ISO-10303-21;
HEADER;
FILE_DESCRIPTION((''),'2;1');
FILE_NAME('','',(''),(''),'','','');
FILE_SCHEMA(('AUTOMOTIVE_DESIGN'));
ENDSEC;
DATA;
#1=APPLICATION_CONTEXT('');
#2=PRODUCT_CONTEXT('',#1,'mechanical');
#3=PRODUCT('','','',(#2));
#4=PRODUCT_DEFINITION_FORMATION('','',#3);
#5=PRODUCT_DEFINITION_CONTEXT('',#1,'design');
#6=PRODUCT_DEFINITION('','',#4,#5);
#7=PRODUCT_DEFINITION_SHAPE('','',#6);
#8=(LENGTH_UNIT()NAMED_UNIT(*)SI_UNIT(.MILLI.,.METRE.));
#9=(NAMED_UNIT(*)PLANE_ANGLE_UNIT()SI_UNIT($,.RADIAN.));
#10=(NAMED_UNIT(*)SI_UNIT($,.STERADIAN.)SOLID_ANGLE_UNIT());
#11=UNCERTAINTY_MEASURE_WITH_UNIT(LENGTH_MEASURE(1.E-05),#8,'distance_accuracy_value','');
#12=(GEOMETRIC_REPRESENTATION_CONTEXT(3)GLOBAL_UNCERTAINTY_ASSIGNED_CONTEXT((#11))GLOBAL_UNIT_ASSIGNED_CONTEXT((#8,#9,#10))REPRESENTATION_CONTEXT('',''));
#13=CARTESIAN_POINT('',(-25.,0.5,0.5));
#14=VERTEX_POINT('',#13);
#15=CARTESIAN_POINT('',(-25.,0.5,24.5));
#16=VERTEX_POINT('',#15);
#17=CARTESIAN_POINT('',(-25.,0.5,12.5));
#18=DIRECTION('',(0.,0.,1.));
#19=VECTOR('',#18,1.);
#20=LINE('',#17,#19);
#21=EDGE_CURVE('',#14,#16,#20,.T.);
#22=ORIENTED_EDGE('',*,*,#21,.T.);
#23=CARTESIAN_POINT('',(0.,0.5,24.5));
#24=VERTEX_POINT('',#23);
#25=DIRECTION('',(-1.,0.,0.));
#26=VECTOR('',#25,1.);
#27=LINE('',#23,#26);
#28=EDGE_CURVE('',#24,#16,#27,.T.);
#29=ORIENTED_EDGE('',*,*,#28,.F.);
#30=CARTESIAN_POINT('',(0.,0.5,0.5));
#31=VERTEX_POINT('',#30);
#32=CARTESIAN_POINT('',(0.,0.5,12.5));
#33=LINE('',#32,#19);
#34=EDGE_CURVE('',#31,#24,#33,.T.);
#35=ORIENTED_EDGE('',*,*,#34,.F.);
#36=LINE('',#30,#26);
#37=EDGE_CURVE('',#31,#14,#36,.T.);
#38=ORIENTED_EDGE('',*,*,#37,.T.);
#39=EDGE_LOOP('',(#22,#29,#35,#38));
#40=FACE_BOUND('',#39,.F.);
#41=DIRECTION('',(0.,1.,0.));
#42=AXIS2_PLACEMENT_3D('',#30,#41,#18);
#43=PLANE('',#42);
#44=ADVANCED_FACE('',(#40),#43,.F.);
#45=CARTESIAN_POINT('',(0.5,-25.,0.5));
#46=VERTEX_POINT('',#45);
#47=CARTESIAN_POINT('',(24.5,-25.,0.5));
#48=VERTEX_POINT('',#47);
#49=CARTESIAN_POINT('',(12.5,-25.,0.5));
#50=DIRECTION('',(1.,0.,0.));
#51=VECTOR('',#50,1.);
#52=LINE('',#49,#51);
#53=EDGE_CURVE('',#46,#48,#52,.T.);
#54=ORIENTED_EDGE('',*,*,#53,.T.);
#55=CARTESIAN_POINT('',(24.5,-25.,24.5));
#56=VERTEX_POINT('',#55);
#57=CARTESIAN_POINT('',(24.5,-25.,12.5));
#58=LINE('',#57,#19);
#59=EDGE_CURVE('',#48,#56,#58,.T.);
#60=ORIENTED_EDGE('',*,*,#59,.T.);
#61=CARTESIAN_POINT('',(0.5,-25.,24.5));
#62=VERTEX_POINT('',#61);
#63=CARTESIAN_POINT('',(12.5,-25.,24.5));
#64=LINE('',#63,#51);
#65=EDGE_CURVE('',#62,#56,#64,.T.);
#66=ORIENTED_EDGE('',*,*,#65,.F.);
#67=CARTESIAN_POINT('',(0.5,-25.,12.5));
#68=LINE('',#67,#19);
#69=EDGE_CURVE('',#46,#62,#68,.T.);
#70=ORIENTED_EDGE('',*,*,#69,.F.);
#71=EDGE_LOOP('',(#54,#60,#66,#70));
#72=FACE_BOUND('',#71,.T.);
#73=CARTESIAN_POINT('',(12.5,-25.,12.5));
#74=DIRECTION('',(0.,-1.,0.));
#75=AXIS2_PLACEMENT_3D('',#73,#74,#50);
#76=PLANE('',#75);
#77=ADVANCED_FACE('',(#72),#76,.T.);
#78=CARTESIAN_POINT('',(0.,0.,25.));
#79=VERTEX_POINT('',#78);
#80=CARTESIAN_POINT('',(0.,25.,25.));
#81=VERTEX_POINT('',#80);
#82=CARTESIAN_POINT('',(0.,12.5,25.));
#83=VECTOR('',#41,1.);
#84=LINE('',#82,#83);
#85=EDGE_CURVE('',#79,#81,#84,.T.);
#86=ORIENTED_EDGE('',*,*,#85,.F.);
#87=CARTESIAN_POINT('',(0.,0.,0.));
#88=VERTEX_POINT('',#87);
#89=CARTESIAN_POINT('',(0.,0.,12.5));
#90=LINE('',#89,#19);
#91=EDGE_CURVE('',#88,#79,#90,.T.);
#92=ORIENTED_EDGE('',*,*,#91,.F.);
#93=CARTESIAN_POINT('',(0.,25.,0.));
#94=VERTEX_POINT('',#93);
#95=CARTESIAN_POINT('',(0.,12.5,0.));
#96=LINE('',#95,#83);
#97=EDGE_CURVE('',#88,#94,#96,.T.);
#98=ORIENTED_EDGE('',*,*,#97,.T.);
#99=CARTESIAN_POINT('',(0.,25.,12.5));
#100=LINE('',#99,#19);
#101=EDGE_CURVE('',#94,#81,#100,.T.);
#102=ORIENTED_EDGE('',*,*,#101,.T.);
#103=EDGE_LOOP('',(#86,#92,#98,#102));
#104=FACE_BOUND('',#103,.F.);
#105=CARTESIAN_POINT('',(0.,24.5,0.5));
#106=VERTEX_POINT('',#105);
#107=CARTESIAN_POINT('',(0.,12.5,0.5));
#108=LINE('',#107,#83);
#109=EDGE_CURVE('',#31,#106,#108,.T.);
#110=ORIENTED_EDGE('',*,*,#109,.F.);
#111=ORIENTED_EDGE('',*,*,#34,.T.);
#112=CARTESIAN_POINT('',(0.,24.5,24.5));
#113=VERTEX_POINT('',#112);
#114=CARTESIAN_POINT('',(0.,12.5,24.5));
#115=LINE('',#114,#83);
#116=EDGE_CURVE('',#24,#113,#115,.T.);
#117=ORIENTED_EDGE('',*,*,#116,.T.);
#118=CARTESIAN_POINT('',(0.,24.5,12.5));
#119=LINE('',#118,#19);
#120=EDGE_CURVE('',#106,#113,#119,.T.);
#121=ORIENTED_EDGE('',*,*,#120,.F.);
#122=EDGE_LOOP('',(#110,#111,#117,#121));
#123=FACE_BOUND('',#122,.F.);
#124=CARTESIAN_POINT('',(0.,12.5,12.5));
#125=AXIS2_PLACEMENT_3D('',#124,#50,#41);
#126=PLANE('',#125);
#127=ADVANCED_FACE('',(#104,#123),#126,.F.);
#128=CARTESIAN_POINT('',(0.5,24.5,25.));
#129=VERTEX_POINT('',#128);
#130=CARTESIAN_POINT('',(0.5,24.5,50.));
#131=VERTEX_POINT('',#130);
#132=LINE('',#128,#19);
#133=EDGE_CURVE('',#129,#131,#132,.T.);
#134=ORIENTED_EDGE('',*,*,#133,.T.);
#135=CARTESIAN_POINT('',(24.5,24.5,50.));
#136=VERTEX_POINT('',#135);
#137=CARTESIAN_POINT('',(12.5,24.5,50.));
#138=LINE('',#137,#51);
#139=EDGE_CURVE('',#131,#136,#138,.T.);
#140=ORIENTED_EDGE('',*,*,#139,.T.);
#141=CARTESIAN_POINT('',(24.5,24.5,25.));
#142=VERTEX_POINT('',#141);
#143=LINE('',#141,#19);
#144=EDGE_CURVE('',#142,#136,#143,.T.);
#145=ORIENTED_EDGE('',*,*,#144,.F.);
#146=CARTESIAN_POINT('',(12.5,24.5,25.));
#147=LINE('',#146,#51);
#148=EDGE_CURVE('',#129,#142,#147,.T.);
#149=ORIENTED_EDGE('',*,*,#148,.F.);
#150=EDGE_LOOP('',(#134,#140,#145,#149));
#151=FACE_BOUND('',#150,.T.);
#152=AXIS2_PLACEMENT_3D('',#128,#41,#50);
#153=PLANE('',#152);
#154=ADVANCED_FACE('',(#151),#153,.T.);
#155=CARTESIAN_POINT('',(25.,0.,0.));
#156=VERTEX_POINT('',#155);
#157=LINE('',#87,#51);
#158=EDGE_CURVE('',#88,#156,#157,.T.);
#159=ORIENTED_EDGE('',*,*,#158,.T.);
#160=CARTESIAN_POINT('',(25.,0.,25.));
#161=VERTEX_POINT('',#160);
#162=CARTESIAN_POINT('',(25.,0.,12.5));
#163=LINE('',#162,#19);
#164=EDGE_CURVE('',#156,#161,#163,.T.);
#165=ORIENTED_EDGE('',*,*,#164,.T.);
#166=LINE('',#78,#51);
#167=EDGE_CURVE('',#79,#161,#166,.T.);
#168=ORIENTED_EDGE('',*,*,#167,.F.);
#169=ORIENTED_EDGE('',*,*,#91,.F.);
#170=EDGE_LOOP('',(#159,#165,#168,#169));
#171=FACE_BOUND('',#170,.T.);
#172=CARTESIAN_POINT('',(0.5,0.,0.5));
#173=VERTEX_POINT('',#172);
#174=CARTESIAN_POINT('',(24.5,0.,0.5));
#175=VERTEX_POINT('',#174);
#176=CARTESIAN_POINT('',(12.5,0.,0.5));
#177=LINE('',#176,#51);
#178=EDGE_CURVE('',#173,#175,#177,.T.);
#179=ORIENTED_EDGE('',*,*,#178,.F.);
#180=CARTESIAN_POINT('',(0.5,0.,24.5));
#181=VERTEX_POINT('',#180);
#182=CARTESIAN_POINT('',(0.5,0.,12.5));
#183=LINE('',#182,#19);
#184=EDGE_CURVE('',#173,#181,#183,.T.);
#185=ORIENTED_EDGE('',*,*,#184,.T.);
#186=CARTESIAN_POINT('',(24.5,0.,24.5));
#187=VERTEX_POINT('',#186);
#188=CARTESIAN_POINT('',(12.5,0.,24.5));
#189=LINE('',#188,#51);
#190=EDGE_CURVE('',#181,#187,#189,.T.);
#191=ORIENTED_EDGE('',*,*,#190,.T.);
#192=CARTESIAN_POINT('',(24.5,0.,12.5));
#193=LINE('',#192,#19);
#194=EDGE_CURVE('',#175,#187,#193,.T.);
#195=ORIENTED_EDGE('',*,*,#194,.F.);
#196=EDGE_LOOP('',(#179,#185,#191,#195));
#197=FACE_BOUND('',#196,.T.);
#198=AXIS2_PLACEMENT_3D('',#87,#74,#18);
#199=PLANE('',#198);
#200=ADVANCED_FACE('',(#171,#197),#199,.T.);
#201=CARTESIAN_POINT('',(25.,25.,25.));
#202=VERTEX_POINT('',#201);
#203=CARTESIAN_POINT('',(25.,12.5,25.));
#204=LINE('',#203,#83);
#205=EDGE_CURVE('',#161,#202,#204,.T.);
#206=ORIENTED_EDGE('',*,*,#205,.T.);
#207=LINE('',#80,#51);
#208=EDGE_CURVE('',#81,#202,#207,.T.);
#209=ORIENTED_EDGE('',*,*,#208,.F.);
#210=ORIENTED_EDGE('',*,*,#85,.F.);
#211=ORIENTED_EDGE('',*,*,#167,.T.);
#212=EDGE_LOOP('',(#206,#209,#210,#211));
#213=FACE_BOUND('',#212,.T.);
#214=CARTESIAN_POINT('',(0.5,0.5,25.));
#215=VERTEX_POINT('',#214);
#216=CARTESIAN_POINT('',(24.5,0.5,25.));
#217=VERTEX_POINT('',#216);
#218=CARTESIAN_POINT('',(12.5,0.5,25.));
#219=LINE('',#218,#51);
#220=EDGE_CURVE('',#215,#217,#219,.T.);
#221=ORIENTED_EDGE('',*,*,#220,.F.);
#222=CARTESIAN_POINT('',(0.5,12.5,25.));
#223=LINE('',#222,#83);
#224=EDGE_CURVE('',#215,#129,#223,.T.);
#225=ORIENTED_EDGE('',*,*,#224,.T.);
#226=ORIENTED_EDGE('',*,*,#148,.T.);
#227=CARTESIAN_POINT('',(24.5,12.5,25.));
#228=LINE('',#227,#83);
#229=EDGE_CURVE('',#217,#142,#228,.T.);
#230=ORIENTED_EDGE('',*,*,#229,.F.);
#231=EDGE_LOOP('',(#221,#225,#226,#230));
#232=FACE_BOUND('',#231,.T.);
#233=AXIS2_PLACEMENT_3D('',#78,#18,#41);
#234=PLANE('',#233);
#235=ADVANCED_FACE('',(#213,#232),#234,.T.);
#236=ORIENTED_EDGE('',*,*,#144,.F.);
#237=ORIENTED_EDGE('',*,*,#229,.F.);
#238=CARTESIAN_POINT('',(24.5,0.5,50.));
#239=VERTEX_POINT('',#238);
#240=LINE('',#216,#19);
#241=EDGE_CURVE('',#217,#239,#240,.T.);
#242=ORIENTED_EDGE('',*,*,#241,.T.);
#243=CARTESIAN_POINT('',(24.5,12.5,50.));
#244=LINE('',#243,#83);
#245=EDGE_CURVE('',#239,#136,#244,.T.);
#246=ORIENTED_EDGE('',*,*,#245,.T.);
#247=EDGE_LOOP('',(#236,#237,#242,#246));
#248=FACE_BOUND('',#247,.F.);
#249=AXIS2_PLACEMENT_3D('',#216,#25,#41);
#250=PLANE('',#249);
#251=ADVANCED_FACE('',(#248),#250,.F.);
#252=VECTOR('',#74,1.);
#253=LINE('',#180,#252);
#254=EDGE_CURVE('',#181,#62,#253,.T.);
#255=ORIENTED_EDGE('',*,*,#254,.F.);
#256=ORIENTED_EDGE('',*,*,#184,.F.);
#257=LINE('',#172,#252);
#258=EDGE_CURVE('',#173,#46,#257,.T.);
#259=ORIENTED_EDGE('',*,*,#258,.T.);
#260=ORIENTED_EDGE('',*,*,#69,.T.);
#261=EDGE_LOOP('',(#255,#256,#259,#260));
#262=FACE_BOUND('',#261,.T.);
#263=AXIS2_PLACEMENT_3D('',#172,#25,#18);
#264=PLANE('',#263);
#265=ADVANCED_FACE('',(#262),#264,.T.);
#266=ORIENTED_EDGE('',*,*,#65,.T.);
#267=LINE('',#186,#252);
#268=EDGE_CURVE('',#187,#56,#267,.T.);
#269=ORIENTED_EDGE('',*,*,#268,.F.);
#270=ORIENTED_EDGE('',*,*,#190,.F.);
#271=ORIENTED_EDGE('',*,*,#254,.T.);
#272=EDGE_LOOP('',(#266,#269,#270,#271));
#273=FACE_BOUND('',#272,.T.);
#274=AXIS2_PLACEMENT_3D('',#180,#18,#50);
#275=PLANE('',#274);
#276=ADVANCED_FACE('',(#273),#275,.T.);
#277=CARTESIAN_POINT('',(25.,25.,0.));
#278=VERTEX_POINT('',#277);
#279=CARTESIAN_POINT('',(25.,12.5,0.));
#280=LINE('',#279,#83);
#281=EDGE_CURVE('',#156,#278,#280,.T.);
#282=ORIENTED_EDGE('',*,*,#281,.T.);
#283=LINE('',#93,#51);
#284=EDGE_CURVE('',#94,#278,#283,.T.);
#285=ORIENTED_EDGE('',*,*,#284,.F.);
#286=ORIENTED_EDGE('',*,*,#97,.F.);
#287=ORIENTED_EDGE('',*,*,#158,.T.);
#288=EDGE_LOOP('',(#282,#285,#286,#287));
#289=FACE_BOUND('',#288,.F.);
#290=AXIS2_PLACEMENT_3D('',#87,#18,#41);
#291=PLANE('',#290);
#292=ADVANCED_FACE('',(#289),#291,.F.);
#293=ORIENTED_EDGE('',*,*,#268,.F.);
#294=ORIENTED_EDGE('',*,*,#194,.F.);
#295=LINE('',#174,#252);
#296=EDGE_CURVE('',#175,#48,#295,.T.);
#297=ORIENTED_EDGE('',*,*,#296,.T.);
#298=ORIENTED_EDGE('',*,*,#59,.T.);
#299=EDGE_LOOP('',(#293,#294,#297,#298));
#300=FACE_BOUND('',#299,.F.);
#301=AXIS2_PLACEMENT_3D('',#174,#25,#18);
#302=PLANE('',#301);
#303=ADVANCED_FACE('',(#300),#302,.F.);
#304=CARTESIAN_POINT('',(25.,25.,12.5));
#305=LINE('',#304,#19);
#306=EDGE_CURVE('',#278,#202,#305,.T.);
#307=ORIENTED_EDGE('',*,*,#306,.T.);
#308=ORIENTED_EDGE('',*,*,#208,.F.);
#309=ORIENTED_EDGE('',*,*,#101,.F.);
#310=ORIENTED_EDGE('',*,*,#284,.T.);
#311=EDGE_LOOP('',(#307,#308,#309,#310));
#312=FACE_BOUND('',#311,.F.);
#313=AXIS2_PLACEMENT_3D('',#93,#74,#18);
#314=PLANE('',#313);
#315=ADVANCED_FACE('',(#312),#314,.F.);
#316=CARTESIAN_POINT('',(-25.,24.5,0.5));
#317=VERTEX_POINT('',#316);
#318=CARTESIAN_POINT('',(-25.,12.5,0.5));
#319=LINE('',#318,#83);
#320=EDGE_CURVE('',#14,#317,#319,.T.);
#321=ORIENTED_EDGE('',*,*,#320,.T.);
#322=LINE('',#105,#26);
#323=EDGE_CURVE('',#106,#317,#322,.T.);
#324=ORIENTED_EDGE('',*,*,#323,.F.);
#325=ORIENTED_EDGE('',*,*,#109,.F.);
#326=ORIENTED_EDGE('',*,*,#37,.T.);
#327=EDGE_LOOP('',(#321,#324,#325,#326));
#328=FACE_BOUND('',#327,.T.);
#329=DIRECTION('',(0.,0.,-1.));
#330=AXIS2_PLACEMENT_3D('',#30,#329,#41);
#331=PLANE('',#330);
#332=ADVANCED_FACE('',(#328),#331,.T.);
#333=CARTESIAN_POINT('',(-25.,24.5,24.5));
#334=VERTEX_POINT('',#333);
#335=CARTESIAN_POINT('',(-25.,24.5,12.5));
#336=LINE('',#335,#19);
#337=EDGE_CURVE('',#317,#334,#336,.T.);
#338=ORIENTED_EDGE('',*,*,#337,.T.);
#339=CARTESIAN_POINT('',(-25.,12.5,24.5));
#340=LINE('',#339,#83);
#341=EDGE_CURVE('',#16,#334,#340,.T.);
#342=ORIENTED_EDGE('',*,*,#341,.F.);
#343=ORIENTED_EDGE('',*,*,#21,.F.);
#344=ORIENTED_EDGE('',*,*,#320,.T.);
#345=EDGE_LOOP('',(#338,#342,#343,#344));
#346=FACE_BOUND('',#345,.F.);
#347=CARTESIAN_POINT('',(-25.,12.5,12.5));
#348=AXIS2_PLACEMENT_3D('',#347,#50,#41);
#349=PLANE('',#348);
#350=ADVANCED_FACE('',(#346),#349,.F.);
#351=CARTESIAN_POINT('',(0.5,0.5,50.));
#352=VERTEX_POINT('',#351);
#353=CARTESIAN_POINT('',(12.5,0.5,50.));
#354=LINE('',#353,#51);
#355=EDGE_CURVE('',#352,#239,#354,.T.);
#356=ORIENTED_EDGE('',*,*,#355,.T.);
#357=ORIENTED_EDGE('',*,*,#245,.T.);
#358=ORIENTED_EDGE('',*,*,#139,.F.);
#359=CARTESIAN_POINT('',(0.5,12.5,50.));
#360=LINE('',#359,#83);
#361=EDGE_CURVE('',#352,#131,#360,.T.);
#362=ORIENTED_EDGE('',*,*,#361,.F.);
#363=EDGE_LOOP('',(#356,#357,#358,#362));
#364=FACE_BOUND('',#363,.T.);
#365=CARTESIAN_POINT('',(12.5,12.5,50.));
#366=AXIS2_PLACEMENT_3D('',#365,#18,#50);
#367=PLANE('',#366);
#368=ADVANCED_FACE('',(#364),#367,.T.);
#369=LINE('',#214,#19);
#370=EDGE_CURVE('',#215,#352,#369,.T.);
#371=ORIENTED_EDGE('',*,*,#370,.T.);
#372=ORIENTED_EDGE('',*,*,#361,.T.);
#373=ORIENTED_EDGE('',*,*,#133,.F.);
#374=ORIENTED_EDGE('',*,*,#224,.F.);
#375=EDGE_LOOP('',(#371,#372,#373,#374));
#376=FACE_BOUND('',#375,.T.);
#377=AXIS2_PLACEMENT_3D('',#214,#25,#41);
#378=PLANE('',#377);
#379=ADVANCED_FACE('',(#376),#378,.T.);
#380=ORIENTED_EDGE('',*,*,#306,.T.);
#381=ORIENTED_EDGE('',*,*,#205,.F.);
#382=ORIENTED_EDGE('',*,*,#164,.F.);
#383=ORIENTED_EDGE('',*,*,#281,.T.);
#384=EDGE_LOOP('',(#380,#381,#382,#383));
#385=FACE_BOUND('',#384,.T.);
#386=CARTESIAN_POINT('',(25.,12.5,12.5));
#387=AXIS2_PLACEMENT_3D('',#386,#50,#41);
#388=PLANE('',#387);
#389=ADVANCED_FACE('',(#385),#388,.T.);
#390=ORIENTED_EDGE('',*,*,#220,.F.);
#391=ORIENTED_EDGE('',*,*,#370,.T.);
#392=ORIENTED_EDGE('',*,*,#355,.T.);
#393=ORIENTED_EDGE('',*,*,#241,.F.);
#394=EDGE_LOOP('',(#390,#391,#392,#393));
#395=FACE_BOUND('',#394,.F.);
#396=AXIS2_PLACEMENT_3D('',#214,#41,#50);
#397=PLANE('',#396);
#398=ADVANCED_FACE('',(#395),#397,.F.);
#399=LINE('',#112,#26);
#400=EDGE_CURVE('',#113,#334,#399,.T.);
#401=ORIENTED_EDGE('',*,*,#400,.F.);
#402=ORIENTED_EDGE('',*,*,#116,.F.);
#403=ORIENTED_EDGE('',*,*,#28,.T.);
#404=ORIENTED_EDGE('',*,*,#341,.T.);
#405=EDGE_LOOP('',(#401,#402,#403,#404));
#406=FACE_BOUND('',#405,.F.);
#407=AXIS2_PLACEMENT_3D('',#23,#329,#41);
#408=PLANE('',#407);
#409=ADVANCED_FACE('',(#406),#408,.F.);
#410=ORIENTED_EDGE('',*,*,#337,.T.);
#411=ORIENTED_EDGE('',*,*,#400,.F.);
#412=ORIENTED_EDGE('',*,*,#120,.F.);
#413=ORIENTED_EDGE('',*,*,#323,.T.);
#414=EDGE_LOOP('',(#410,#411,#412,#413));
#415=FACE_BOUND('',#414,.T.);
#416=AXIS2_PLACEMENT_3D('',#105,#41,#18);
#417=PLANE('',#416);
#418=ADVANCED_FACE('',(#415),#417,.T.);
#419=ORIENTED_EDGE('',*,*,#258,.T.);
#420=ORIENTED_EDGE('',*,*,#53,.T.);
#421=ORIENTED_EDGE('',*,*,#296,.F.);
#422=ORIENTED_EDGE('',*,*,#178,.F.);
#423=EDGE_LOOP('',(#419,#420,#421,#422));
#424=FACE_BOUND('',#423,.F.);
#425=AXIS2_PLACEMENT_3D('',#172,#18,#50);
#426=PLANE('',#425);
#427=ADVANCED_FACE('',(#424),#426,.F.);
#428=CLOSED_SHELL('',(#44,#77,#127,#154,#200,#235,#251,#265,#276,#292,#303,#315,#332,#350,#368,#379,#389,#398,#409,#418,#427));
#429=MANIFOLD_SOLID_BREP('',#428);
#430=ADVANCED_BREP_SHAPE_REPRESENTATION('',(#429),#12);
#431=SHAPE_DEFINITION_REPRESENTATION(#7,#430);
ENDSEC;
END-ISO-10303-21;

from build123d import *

# Parameters (mm, degrees)
F0_W     = 25
F0_H     = 25
F1_DEPTH = 25
F2_W     = 24
F2_H     = 24
F3_DEPTH = 25
F4_W     = 24
F4_H     = 24
F5_DEPTH = 25
F6_W     = 24
F6_H     = 24
F7_DEPTH = 25


with BuildPart() as f1:
    # F0 (on Right) → F1 (new body)
    with BuildSketch(Plane.YZ):
        with Locations((12.5, 12.5)):
            Rectangle(F0_W, F0_H)
    extrude(amount=F1_DEPTH)

    # F2 (on Right) → F3 (join)
    with BuildSketch(Plane.YZ):
        with Locations((12.5, 12.5)):
            Rectangle(F2_W, F2_H)
    extrude(amount=-F3_DEPTH)

    # F4 (on face) → F5 (join)
    with BuildSketch(Plane.XZ):
        with Locations((12.5, 12.5)):
            Rectangle(F4_W, F4_H)
    extrude(amount=F5_DEPTH)

    # F6 (on face) → F7 (join)
    with BuildSketch(Plane.XY.offset(25)):
        with Locations((12.5, 12.5)):
            Rectangle(F6_W, F6_H)
    extrude(amount=F7_DEPTH)


solid = f1.part
